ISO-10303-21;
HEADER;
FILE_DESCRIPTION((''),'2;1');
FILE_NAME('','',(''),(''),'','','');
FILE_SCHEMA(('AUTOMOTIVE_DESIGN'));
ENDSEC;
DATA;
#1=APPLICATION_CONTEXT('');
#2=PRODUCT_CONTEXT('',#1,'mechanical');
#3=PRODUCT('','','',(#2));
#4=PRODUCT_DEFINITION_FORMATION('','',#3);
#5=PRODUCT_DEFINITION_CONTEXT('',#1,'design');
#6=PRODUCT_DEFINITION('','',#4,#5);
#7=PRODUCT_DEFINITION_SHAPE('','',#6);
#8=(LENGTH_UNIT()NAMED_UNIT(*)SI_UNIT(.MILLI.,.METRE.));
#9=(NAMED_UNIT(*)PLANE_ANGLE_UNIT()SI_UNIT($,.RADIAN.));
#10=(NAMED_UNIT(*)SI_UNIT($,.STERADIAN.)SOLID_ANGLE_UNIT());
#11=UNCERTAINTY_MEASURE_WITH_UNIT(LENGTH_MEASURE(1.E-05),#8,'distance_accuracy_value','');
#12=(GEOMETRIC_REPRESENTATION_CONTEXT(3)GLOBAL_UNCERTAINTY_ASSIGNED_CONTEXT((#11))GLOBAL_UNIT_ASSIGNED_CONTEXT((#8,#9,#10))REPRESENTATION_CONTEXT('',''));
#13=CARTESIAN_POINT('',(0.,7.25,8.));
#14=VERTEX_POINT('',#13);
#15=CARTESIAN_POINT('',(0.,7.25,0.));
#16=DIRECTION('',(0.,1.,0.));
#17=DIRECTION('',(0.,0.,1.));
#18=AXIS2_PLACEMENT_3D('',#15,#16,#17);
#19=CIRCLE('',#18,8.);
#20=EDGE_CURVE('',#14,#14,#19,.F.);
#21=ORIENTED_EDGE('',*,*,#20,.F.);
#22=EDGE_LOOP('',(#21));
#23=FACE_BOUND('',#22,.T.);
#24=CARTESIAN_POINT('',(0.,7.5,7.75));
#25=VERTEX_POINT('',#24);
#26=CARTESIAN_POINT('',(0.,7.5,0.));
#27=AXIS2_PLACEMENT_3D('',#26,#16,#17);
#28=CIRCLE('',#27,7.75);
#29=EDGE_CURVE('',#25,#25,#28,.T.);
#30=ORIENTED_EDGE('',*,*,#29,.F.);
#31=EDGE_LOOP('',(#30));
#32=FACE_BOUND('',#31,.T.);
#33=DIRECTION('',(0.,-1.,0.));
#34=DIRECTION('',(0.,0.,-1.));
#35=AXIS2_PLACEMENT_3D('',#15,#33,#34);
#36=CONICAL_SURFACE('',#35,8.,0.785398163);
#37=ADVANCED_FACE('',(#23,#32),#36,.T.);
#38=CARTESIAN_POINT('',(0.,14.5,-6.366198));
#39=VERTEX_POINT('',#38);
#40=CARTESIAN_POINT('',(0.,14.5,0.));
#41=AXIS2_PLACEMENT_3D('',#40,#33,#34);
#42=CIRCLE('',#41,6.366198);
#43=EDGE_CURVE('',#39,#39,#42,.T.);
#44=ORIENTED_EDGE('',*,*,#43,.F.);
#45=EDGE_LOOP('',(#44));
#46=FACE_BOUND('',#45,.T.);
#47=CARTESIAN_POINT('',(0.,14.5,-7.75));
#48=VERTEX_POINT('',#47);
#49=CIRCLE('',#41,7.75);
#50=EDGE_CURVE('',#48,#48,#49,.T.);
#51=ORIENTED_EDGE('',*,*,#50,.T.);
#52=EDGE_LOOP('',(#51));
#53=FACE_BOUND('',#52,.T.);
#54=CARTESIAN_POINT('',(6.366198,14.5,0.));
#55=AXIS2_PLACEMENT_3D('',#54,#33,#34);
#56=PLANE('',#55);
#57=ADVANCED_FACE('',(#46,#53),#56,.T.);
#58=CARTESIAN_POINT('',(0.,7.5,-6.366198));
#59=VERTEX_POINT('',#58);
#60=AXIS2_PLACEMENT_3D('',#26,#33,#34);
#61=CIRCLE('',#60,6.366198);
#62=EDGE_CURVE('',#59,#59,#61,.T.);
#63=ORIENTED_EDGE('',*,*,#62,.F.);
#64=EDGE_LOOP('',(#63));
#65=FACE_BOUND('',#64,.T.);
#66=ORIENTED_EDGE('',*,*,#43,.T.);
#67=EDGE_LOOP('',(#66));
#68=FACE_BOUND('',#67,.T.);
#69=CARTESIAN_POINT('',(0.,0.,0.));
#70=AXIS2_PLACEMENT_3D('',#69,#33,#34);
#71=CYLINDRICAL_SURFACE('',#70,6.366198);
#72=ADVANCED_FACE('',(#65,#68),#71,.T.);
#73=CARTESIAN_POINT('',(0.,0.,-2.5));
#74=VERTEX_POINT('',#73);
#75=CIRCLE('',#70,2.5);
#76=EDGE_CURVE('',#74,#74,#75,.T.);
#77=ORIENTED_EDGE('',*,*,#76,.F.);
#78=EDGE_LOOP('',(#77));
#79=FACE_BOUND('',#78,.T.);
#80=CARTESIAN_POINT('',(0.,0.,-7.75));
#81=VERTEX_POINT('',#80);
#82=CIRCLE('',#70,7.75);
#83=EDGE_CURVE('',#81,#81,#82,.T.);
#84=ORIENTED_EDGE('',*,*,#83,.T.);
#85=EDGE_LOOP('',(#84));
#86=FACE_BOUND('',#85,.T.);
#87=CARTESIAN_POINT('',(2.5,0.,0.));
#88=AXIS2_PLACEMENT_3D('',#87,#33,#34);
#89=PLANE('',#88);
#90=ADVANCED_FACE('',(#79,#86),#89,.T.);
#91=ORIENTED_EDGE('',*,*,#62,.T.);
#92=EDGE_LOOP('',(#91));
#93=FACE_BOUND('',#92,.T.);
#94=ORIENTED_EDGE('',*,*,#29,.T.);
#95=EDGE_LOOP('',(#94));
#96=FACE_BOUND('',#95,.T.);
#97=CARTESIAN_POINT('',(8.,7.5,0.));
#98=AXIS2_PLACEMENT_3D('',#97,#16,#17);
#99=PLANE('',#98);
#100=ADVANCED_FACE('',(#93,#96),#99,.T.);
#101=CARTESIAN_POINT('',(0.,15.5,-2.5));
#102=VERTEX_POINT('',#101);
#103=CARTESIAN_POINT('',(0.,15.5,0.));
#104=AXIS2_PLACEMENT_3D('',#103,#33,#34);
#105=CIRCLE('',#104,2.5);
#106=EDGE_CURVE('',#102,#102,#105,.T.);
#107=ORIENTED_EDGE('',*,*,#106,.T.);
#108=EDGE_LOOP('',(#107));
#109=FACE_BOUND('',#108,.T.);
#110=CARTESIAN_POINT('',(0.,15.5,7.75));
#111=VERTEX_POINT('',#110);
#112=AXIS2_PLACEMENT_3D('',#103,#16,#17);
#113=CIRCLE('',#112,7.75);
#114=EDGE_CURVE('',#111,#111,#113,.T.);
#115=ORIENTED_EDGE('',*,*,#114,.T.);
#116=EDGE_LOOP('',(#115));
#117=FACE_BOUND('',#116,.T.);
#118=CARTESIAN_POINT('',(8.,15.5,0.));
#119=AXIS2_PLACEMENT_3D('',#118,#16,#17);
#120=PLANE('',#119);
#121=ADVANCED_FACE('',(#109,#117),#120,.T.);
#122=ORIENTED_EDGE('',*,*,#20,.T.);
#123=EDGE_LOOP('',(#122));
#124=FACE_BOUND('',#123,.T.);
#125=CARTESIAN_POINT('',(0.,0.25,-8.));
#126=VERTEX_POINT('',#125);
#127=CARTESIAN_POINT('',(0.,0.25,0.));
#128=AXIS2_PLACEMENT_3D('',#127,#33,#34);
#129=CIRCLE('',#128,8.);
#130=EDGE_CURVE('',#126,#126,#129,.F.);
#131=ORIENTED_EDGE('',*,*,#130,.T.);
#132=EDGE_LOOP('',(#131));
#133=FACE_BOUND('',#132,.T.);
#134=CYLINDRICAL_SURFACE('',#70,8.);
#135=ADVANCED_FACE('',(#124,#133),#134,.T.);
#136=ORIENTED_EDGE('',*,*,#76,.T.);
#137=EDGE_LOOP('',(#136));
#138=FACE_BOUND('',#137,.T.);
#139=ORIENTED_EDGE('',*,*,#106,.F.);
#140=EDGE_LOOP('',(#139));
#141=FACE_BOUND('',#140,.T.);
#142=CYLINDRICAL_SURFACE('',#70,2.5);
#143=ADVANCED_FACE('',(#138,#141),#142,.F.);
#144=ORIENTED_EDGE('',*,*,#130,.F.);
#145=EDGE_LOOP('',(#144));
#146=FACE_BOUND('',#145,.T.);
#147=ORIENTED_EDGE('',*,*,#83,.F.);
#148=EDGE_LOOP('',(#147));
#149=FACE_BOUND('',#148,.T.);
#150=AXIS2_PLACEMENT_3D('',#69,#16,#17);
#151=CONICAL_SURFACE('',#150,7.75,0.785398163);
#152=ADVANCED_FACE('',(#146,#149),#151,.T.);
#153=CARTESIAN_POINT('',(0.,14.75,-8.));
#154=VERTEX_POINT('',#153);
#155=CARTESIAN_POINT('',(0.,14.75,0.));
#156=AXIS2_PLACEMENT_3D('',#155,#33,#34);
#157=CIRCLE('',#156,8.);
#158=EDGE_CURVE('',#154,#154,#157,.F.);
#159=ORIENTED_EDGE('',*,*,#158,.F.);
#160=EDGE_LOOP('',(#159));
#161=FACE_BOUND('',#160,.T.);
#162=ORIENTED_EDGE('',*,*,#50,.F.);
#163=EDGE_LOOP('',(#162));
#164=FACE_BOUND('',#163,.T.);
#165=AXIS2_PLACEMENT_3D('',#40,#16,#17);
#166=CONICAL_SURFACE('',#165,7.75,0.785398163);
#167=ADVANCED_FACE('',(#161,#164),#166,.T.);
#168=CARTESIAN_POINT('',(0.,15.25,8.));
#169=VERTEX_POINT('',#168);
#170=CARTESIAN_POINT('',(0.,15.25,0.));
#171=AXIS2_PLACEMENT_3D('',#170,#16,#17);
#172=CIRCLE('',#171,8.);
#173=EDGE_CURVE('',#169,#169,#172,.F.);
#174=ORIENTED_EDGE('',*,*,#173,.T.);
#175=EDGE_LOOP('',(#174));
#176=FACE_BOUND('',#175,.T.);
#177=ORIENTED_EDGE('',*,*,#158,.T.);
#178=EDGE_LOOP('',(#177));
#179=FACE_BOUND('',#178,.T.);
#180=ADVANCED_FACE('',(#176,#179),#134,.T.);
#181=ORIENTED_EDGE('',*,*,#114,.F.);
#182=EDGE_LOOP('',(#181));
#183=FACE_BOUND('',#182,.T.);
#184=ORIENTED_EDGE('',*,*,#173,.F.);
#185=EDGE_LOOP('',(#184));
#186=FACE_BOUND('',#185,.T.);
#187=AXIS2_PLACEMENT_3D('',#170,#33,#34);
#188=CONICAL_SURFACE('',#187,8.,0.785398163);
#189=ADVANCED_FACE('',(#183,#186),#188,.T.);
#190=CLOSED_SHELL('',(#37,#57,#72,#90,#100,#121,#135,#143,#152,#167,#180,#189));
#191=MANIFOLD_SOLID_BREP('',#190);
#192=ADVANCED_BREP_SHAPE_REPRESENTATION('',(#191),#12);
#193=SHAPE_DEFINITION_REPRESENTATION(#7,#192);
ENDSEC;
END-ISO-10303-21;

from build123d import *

# Parameters (mm, degrees)
CHAMFER1_SIZE = 0.25


with BuildPart() as part:
    # Sketch4 → Revolve2 (revolve)
    with BuildSketch(Plane.XY):
        Polygon((2.5, 0), (8, 0), (8, 7.5), (6.366197724, 7.5), (6.366197724, 14.5), (8, 14.5), (8, 15.5), (2.5, 15.5), align=None)
    revolve(axis=Axis((0, 0, 0), (0, 1, 0)))

    # Chamfer1
    chamfer1_edges = [part.edges().sort_by_distance(p)[0] for p in [
        (-8, 15.5, 0),
        (-8, 14.5, 0),
        (-8, 7.5, 0),
        (-8, 0, 0),
    ]]
    chamfer(chamfer1_edges, length=CHAMFER1_SIZE)


solid = part.part
